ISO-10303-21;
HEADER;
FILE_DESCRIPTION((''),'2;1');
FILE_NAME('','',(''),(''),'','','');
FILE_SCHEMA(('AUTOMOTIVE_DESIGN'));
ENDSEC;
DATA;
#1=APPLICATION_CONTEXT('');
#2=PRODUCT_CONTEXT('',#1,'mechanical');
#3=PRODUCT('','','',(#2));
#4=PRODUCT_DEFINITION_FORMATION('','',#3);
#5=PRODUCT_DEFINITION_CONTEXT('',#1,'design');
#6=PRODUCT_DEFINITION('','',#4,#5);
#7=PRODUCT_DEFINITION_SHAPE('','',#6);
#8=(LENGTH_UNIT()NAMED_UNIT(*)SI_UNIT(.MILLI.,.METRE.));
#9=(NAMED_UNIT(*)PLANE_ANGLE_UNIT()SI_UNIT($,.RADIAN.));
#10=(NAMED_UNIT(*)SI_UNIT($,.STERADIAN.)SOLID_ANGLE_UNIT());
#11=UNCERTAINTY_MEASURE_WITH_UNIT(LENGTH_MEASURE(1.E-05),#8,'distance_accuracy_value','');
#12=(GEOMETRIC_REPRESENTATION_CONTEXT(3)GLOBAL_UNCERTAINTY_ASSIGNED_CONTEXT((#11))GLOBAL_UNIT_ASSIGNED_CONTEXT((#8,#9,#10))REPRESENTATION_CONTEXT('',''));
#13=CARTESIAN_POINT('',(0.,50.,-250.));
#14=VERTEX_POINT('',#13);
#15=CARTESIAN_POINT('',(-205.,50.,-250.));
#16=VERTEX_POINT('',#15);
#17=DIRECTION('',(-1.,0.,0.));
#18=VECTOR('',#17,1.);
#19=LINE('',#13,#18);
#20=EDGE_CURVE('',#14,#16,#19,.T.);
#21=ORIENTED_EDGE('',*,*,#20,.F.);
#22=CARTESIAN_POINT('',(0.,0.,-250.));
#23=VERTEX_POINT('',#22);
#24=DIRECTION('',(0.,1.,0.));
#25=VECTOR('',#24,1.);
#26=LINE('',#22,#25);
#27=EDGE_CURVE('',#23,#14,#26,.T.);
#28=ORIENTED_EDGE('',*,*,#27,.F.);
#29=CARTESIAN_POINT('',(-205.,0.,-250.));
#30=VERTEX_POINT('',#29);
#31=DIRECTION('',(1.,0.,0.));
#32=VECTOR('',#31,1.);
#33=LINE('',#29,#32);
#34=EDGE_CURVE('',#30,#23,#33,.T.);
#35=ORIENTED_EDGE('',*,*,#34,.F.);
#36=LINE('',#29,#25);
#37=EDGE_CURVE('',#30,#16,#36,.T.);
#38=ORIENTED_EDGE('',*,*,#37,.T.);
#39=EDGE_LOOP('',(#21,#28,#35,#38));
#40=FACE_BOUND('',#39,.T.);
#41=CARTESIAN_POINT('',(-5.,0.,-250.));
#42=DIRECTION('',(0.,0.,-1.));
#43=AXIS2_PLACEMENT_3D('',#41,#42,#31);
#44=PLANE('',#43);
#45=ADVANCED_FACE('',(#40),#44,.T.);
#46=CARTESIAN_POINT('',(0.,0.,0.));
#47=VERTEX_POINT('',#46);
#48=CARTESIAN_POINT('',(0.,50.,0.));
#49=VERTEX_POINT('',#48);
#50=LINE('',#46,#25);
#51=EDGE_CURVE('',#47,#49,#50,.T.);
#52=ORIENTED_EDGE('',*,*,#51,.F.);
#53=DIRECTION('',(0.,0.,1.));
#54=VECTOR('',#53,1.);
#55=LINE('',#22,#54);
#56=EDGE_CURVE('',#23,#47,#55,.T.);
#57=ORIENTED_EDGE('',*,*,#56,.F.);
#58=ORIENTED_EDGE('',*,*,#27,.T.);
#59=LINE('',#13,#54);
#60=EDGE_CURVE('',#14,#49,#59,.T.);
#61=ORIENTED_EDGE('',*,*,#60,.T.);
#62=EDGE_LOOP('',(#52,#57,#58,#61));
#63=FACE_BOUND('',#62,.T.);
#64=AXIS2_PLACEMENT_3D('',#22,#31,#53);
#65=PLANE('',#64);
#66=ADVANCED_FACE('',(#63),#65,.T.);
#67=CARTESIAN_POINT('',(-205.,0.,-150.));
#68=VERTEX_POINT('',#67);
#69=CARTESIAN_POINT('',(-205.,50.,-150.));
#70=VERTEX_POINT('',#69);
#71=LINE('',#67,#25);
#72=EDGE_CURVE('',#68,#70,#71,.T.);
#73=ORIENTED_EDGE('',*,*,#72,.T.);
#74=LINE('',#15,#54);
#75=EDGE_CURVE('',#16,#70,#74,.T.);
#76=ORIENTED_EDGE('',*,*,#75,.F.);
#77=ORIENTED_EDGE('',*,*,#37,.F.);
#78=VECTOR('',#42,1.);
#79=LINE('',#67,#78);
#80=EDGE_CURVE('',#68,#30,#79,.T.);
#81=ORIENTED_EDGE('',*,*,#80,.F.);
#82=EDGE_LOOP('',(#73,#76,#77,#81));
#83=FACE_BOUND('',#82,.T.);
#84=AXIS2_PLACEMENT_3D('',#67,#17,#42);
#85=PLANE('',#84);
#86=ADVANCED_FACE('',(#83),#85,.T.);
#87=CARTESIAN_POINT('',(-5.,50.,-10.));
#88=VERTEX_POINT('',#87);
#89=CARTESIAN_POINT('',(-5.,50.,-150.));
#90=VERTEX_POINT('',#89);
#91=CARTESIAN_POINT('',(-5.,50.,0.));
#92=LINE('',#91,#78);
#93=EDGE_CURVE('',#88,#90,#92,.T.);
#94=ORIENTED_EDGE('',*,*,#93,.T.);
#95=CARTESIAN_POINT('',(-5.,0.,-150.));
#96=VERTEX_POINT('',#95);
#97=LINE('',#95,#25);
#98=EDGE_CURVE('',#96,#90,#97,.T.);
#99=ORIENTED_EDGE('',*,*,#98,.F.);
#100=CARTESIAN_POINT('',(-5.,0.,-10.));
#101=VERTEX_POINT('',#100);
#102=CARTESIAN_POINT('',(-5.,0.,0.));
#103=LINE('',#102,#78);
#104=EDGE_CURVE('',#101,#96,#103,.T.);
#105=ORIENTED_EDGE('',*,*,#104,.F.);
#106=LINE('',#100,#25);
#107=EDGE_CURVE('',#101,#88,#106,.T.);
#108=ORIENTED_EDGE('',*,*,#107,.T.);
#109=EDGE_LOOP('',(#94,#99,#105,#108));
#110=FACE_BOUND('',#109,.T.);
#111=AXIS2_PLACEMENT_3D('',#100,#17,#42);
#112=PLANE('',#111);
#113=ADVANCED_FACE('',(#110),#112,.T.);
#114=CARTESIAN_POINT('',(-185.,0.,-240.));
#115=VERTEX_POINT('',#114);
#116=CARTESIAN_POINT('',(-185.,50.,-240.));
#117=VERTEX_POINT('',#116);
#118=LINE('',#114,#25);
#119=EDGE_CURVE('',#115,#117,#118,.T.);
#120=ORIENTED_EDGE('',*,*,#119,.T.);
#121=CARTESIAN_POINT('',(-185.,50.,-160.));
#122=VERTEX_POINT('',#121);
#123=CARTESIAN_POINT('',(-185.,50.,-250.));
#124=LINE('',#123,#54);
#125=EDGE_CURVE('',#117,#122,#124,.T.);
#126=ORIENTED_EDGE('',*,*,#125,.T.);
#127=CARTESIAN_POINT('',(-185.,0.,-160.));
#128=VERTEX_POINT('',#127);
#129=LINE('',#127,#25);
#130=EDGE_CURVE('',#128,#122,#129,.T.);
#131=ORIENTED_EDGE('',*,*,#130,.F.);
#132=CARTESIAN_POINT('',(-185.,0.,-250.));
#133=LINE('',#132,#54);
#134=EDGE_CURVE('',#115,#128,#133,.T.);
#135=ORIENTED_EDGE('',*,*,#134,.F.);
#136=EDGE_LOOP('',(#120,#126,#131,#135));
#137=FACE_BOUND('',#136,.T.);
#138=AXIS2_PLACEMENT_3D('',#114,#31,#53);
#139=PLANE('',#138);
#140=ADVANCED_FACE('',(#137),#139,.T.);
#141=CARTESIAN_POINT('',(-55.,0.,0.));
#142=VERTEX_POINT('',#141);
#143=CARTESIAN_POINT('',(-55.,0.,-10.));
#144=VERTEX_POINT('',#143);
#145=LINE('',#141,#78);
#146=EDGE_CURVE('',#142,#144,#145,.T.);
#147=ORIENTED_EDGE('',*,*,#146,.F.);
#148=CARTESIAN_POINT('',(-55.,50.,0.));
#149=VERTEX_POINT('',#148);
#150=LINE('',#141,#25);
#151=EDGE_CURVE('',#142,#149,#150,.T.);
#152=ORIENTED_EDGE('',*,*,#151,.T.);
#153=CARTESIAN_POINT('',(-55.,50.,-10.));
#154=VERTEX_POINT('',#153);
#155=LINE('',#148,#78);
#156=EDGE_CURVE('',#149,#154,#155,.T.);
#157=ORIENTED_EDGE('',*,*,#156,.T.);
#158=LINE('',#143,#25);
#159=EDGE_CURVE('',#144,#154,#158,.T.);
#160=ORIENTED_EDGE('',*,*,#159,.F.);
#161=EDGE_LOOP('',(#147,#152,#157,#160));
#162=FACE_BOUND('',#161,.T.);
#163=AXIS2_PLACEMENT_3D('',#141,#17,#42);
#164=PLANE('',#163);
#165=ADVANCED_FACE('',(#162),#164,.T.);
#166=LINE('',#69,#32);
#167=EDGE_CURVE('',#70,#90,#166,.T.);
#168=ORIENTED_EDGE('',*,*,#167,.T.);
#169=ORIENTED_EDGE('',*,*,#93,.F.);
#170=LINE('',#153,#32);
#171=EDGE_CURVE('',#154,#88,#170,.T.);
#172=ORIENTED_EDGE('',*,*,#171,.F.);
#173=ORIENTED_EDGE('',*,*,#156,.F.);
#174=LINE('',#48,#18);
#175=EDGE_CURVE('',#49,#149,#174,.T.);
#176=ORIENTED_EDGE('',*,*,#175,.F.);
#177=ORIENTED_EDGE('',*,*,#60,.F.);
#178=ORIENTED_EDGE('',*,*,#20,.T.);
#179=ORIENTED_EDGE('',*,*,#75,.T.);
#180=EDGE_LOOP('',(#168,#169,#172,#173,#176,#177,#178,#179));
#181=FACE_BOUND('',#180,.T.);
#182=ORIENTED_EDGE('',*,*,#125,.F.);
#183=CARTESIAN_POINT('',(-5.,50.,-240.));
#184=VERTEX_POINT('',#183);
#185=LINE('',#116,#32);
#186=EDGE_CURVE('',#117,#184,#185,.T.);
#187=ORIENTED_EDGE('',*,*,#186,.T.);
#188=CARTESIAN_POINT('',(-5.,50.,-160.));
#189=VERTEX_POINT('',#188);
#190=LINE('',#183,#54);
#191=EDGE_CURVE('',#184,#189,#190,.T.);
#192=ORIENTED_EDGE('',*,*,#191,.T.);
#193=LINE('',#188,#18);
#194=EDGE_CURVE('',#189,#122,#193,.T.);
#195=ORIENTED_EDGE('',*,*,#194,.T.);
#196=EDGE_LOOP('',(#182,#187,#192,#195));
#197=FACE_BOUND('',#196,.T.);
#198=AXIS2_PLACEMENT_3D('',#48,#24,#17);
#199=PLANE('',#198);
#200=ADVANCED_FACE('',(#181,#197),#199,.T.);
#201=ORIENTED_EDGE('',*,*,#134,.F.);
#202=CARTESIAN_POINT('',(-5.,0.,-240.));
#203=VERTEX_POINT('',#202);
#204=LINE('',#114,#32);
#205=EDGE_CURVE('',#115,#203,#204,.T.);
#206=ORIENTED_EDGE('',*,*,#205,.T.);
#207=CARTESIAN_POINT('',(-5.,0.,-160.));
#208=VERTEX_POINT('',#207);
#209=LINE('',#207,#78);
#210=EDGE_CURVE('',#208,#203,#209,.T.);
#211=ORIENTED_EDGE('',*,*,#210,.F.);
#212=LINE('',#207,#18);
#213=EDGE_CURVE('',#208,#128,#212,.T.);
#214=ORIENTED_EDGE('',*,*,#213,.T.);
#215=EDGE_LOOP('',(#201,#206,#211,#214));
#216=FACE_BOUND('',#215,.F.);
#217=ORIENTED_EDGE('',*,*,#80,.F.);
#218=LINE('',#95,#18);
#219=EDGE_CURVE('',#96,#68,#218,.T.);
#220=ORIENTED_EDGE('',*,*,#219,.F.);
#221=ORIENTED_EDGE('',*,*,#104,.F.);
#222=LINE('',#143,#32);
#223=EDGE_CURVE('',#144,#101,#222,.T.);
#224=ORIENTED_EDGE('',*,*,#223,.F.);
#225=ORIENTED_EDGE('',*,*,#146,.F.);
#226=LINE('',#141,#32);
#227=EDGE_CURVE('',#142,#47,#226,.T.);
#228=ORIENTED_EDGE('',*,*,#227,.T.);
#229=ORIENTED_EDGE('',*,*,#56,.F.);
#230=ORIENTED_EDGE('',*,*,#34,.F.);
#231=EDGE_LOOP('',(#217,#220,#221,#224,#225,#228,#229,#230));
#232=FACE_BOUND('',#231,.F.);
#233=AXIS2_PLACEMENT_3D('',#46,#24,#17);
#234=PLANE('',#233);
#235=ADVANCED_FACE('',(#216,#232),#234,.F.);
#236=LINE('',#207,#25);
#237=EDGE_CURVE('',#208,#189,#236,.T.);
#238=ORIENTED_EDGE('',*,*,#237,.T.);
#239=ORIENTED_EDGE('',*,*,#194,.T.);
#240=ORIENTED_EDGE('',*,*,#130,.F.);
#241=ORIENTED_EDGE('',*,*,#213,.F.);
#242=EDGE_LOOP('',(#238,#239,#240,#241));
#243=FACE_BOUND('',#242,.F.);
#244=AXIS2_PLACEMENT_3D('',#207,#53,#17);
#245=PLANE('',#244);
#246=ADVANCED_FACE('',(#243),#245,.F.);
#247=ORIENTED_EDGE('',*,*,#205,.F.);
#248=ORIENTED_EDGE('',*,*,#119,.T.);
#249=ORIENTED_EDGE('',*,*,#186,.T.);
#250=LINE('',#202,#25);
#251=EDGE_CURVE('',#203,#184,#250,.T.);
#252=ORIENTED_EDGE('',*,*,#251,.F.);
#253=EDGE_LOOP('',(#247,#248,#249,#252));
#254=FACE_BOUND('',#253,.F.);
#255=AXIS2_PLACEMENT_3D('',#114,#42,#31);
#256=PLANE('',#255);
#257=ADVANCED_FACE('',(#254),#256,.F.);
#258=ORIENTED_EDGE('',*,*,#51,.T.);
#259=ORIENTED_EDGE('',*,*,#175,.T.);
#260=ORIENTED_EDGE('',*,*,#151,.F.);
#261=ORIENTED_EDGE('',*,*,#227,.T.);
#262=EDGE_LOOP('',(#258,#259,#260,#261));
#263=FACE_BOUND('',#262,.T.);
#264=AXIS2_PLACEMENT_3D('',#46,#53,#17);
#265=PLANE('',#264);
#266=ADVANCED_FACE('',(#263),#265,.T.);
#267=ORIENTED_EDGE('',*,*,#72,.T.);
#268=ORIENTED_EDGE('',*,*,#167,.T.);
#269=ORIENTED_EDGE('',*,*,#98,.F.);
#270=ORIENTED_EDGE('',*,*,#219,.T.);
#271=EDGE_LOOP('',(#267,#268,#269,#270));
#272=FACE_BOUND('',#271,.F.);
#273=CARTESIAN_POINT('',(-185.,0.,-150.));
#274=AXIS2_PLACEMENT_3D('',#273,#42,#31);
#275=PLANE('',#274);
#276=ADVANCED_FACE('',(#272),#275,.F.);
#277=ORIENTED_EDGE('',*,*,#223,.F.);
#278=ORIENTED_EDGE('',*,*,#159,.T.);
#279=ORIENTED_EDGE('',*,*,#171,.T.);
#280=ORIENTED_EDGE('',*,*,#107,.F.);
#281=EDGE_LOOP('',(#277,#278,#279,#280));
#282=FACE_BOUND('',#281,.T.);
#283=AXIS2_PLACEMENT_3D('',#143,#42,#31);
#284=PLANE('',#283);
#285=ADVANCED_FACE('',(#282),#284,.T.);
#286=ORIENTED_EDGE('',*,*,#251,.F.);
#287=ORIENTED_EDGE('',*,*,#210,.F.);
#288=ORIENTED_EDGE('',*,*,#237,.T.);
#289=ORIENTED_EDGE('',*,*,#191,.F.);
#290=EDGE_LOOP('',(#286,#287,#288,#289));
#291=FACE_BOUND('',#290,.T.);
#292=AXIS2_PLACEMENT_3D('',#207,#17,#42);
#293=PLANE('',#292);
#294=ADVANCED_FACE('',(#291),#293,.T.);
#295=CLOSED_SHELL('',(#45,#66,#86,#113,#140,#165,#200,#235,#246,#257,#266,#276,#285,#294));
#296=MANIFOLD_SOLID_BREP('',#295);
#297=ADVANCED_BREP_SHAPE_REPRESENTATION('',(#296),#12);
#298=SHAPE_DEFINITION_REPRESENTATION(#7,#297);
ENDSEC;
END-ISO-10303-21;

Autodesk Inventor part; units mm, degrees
ref_plane "YZ Plane" through (0, 0, 0) normal (1, 0, 0) x (0, 1, 0)
ref_plane "XZ Plane" through (0, 0, 0) normal (0, 1, 0) x (-1, 0, 0)
ref_plane "XY Plane" through (0, 0, 0) normal (0, 0, 1) x (1, 0, 0)
sketch "Sketch1" plane through (0, 0, 0) normal (0, 1, 0) x (-1, 0, 0)
  line L0 (0, 0) -> (5, 0)
  line L1 (5, 0) -> (5, -250)
  line L2 (5, -250) -> (0, -250)
  line L3 (0, -250) -> (0, 0)
  line L4 (5, 0) -> (55, 0)
  line L5 (55, 0) -> (55, -10)
  line L6 (55, -10) -> (5, -10)
  line L7 (5, -10) -> (5, 0)
  line L8 (5, -10) -> (5, -160)
  line L9 (205, -160) -> (205, -170)
  line L10 (5, -170) -> (5, -160)
  line L11 (205, -250) -> (185, -250)
  line L12 (185, -250) -> (185, -150)
  line L13 (185, -150) -> (205, -150)
  line L14 (205, -150) -> (205, -250)
  line L15 (185, -150) -> (5, -150)
  line L16 (5, -150) -> (5, -160)
  line L17 (5, -160) -> (185, -160)
  line L18 (185, -250) -> (5, -250)
  line L19 (185, -250) -> (185, -240)
  line L20 (185, -240) -> (5, -240)
  point P0 (5, -150)
  dimension "d0" = 5
  dimension "d1" = 250
  dimension "d2" = 50
  dimension "d3" = 10
  dimension "d4" = 150
  dimension "d5" = 200
  dimension "d6" = 10
  dimension "d7" = 20
  dimension "d8" = 100
  dimension "d9" = 10
  dimension "d10" = 10
extrude "Extrusion1" add sketch "Sketch1" along normal blind 50 contours L0 L1 L2 L3 | L4 L5 L6 L1 | L1 L20 L12 L18 | L15 L12 L17 L1 | L12 L13 L14 L9 L11
equation "\"BendRadius\" = Thickness"
equation "\"BendReliefWidth\" = Thickness"
equation "\"BendReliefDepth\" = 0.5 * Thickness"
equation "\"CornerReliefSize\" = 4 * Thickness"
equation "\"MinimumRemnant\" = 2 * Thickness"
equation "\"TransitionRadius\" = BendRadius"
equation "\"JacobiRadiusSize\" = BendRadius"
equation "\"GapSize\" = Thickness"
equation "\"Thickness\" = 0.5"
